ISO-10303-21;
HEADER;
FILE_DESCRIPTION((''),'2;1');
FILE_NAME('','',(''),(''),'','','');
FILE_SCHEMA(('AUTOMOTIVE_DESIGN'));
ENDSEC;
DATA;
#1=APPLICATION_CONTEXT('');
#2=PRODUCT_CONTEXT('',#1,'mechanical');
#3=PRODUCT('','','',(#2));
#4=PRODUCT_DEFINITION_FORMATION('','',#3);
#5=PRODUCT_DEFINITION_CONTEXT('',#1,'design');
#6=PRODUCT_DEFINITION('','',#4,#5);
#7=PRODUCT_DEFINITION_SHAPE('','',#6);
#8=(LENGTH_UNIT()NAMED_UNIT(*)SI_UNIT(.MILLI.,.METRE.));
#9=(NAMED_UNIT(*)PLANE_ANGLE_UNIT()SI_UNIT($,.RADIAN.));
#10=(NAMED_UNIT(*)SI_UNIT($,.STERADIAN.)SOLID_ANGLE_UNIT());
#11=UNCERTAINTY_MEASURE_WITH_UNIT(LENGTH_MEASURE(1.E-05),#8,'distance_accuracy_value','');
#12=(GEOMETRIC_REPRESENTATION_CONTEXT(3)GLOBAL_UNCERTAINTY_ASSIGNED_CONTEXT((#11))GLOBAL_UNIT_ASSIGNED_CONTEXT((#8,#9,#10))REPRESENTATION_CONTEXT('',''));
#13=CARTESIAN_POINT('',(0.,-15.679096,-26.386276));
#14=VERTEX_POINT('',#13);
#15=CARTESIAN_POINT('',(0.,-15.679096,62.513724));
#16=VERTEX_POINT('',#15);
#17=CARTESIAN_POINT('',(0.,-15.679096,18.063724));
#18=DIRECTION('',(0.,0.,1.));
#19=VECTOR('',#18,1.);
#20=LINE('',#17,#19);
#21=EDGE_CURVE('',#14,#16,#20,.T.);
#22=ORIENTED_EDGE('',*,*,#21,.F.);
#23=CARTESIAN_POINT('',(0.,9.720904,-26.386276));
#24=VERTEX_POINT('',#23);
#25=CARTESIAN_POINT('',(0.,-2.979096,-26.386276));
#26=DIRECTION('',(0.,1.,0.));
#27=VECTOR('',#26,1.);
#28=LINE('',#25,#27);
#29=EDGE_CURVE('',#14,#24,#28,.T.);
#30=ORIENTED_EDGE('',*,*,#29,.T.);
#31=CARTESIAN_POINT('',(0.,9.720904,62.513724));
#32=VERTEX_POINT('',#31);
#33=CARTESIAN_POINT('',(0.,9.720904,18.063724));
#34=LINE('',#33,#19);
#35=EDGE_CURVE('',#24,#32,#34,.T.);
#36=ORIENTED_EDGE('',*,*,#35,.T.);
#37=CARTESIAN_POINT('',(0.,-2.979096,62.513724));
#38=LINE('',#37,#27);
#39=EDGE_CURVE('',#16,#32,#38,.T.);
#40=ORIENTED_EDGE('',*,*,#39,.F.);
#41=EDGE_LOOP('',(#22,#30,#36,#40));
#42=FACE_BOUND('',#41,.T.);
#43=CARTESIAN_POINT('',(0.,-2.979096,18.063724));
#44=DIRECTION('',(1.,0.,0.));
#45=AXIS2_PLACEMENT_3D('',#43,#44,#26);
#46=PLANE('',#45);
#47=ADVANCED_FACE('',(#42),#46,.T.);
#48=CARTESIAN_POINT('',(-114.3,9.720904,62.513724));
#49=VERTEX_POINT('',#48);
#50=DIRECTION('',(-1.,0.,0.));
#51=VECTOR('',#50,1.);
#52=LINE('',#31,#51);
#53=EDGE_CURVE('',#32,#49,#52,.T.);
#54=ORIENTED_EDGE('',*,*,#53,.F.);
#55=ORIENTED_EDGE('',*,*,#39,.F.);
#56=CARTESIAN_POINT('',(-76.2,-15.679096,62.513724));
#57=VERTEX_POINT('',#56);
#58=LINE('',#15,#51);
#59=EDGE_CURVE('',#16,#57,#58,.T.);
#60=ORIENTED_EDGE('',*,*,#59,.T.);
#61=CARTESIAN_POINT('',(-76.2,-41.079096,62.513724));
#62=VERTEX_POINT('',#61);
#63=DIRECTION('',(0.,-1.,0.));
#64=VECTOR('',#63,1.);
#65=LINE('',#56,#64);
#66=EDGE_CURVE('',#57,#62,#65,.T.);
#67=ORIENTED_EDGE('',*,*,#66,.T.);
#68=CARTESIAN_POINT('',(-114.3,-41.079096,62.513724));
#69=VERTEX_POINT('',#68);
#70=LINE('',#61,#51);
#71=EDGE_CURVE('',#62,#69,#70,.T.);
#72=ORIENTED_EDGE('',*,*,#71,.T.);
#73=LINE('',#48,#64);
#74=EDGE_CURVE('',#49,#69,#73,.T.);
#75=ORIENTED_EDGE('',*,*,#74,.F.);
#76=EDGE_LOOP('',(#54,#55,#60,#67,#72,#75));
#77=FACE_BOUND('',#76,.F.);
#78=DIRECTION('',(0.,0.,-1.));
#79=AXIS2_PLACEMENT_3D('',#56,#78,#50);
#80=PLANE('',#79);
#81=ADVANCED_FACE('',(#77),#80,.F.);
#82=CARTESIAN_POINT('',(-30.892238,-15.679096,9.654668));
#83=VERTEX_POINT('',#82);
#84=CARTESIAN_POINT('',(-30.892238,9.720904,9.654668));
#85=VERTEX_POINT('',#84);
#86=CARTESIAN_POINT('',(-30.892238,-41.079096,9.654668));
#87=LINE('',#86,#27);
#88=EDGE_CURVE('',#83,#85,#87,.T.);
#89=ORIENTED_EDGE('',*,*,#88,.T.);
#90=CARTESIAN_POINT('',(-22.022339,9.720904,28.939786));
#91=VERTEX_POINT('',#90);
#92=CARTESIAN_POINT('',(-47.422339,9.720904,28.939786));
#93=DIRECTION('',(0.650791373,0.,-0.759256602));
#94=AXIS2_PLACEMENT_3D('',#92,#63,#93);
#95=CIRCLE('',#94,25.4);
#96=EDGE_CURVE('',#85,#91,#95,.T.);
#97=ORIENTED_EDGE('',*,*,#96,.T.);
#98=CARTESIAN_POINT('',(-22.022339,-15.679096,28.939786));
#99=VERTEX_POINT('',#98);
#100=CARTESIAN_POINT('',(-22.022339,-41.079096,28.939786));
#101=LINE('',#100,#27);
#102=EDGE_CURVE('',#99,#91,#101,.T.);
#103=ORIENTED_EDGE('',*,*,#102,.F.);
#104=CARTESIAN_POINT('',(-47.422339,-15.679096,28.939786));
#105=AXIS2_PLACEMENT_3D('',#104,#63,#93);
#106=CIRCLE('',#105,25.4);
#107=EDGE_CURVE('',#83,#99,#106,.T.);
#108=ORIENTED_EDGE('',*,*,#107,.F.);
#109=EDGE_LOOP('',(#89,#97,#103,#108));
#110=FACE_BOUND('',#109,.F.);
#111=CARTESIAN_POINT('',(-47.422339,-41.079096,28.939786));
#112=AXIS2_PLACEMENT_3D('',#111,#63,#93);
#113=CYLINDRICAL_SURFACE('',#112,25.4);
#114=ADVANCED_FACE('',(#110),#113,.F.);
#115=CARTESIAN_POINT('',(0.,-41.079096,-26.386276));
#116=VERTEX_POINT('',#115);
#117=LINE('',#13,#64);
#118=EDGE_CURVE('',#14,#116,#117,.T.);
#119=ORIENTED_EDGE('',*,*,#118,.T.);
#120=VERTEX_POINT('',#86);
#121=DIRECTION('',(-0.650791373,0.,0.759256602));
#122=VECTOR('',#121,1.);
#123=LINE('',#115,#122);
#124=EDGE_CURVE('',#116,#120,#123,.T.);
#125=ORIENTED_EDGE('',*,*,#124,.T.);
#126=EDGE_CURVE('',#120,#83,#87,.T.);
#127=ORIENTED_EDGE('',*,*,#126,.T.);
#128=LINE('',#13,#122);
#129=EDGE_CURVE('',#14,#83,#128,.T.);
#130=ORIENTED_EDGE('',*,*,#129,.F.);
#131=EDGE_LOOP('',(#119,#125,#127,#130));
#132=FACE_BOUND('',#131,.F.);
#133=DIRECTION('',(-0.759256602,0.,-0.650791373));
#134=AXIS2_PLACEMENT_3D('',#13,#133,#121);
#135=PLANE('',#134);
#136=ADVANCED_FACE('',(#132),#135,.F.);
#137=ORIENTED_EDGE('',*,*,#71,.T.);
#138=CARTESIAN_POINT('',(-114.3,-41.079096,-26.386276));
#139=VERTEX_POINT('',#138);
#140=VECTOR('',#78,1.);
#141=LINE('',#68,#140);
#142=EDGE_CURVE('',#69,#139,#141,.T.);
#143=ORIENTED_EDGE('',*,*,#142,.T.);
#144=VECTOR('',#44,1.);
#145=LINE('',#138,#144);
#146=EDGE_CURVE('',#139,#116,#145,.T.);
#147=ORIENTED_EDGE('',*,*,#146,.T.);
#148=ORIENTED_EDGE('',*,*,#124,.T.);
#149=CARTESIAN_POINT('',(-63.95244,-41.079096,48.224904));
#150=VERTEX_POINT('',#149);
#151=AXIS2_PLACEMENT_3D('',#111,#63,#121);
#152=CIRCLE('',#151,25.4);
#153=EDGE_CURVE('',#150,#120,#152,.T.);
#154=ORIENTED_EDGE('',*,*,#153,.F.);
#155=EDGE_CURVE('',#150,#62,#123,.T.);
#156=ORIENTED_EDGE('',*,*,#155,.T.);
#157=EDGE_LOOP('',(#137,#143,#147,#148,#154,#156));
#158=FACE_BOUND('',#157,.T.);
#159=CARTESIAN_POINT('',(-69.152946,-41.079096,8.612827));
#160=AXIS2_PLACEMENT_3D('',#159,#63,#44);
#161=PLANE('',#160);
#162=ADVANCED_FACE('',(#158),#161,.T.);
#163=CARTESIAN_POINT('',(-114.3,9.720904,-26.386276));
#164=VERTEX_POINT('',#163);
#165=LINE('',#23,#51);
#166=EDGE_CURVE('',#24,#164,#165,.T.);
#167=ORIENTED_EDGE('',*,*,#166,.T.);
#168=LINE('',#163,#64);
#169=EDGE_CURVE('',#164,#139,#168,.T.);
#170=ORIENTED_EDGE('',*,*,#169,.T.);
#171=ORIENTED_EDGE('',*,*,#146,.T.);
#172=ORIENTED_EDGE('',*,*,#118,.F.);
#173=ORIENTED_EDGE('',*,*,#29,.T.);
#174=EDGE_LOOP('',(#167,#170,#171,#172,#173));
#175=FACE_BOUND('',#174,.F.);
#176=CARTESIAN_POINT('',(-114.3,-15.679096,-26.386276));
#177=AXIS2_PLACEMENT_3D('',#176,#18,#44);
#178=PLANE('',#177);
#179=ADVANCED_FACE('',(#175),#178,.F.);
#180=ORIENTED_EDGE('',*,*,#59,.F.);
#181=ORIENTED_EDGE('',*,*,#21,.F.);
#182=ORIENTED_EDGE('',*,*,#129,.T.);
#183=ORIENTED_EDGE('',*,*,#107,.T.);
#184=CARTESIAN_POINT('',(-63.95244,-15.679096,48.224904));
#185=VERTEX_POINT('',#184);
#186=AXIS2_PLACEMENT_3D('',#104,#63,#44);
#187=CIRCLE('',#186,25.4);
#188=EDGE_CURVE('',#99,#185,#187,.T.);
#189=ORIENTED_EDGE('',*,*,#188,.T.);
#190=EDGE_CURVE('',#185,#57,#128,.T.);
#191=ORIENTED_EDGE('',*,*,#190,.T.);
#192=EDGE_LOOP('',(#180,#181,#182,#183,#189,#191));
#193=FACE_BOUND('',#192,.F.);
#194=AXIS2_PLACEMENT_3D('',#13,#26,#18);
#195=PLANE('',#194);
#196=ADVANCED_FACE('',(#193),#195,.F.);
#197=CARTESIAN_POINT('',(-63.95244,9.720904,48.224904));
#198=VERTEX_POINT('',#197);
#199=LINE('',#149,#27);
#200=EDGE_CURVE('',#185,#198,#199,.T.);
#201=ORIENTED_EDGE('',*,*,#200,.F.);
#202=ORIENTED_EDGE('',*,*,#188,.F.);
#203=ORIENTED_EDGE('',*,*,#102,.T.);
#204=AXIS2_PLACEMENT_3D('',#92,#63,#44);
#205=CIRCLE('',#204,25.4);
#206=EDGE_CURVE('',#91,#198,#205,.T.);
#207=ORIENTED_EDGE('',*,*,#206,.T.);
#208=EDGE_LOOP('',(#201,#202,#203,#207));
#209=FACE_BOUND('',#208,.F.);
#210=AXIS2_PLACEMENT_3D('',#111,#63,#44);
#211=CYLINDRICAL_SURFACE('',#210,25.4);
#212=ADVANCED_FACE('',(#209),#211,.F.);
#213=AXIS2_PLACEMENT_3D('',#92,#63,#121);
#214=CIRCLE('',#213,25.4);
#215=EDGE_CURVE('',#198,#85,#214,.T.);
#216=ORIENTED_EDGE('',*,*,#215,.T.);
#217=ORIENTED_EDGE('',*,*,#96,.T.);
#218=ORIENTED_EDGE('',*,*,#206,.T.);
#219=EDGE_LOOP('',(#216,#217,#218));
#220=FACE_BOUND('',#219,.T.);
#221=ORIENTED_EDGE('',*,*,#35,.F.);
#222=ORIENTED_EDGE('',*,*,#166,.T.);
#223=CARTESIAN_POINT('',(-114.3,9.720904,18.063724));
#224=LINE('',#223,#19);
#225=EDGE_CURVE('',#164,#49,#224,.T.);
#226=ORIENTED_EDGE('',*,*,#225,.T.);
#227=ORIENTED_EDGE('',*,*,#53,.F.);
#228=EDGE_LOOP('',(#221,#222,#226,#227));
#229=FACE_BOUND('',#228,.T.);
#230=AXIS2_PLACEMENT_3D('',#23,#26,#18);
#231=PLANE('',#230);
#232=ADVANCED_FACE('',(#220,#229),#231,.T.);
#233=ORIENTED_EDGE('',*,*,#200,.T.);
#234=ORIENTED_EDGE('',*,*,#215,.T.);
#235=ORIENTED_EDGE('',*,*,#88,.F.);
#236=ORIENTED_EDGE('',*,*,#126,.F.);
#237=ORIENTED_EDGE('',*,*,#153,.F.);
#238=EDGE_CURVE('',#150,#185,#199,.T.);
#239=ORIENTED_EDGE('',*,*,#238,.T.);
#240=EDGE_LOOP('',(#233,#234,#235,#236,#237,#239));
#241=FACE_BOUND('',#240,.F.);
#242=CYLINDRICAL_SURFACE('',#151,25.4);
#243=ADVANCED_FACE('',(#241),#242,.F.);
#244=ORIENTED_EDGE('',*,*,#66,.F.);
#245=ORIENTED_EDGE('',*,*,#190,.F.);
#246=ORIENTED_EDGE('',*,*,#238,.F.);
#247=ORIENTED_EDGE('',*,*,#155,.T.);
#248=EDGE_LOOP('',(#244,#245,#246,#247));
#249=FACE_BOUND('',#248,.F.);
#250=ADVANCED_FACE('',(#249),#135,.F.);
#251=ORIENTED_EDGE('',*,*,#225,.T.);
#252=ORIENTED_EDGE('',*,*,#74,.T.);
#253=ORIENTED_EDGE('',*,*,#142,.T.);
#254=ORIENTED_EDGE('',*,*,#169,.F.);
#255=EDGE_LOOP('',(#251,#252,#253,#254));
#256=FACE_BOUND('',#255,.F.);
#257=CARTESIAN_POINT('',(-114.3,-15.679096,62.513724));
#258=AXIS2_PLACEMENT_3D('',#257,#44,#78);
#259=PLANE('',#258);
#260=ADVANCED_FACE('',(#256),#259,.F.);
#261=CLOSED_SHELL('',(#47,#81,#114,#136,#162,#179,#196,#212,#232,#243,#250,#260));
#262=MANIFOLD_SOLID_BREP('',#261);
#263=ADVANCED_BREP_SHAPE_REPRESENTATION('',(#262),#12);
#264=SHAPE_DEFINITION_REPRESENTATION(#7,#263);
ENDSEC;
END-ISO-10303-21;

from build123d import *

# Parameters (mm, degrees)
F0_W     = 25.4
F0_H     = 88.9
F1_DEPTH = 114.3
F3_DEPTH = 25.4
F5_DEPTH = 50.801


with BuildPart() as f1:
    # F0 (on Right) → F1 (new body)
    with BuildSketch(Plane.YZ):
        with Locations((-2.9790955596, 18.0637241125)):
            Rectangle(F0_W, F0_H)
    extrude(amount=-F1_DEPTH)

    # F2 (on face) → F3 (join)
    with BuildSketch(Plane.XZ.offset(15.6790955596)):
        Polygon((-76.2, 62.5137241125), (-114.3, 62.5137241125), (-114.3, -26.3862758875), (0, -26.3862758875), align=None)
    extrude(amount=F3_DEPTH)

    # F4 (on face) → F5 (cut, through all)
    with BuildSketch(Plane.XZ.offset(41.0790955596)):
        with BuildLine():
            Line((-30.8922379172, 9.6546683493), (-63.9524396888, 48.2249037495))
            ThreePointArc((-63.9524396888, 48.2249037495), (-66.7074565031, 12.4096851636), (-30.8922379172, 9.6546683493))
        make_face()
        with BuildLine():
            ThreePointArc((-30.8922379172, 9.6546683493), (-24.3461111813, 18.3262230873), (-22.022338803, 28.9397860494))
            ThreePointArc((-22.022338803, 28.9397860494), (-36.8087758409, 52.0160136711), (-63.9524396888, 48.2249037495))
            Line((-63.9524396888, 48.2249037495), (-30.8922379172, 9.6546683493))
        make_face()
    extrude(amount=-F5_DEPTH, mode=Mode.SUBTRACT)


solid = f1.part
